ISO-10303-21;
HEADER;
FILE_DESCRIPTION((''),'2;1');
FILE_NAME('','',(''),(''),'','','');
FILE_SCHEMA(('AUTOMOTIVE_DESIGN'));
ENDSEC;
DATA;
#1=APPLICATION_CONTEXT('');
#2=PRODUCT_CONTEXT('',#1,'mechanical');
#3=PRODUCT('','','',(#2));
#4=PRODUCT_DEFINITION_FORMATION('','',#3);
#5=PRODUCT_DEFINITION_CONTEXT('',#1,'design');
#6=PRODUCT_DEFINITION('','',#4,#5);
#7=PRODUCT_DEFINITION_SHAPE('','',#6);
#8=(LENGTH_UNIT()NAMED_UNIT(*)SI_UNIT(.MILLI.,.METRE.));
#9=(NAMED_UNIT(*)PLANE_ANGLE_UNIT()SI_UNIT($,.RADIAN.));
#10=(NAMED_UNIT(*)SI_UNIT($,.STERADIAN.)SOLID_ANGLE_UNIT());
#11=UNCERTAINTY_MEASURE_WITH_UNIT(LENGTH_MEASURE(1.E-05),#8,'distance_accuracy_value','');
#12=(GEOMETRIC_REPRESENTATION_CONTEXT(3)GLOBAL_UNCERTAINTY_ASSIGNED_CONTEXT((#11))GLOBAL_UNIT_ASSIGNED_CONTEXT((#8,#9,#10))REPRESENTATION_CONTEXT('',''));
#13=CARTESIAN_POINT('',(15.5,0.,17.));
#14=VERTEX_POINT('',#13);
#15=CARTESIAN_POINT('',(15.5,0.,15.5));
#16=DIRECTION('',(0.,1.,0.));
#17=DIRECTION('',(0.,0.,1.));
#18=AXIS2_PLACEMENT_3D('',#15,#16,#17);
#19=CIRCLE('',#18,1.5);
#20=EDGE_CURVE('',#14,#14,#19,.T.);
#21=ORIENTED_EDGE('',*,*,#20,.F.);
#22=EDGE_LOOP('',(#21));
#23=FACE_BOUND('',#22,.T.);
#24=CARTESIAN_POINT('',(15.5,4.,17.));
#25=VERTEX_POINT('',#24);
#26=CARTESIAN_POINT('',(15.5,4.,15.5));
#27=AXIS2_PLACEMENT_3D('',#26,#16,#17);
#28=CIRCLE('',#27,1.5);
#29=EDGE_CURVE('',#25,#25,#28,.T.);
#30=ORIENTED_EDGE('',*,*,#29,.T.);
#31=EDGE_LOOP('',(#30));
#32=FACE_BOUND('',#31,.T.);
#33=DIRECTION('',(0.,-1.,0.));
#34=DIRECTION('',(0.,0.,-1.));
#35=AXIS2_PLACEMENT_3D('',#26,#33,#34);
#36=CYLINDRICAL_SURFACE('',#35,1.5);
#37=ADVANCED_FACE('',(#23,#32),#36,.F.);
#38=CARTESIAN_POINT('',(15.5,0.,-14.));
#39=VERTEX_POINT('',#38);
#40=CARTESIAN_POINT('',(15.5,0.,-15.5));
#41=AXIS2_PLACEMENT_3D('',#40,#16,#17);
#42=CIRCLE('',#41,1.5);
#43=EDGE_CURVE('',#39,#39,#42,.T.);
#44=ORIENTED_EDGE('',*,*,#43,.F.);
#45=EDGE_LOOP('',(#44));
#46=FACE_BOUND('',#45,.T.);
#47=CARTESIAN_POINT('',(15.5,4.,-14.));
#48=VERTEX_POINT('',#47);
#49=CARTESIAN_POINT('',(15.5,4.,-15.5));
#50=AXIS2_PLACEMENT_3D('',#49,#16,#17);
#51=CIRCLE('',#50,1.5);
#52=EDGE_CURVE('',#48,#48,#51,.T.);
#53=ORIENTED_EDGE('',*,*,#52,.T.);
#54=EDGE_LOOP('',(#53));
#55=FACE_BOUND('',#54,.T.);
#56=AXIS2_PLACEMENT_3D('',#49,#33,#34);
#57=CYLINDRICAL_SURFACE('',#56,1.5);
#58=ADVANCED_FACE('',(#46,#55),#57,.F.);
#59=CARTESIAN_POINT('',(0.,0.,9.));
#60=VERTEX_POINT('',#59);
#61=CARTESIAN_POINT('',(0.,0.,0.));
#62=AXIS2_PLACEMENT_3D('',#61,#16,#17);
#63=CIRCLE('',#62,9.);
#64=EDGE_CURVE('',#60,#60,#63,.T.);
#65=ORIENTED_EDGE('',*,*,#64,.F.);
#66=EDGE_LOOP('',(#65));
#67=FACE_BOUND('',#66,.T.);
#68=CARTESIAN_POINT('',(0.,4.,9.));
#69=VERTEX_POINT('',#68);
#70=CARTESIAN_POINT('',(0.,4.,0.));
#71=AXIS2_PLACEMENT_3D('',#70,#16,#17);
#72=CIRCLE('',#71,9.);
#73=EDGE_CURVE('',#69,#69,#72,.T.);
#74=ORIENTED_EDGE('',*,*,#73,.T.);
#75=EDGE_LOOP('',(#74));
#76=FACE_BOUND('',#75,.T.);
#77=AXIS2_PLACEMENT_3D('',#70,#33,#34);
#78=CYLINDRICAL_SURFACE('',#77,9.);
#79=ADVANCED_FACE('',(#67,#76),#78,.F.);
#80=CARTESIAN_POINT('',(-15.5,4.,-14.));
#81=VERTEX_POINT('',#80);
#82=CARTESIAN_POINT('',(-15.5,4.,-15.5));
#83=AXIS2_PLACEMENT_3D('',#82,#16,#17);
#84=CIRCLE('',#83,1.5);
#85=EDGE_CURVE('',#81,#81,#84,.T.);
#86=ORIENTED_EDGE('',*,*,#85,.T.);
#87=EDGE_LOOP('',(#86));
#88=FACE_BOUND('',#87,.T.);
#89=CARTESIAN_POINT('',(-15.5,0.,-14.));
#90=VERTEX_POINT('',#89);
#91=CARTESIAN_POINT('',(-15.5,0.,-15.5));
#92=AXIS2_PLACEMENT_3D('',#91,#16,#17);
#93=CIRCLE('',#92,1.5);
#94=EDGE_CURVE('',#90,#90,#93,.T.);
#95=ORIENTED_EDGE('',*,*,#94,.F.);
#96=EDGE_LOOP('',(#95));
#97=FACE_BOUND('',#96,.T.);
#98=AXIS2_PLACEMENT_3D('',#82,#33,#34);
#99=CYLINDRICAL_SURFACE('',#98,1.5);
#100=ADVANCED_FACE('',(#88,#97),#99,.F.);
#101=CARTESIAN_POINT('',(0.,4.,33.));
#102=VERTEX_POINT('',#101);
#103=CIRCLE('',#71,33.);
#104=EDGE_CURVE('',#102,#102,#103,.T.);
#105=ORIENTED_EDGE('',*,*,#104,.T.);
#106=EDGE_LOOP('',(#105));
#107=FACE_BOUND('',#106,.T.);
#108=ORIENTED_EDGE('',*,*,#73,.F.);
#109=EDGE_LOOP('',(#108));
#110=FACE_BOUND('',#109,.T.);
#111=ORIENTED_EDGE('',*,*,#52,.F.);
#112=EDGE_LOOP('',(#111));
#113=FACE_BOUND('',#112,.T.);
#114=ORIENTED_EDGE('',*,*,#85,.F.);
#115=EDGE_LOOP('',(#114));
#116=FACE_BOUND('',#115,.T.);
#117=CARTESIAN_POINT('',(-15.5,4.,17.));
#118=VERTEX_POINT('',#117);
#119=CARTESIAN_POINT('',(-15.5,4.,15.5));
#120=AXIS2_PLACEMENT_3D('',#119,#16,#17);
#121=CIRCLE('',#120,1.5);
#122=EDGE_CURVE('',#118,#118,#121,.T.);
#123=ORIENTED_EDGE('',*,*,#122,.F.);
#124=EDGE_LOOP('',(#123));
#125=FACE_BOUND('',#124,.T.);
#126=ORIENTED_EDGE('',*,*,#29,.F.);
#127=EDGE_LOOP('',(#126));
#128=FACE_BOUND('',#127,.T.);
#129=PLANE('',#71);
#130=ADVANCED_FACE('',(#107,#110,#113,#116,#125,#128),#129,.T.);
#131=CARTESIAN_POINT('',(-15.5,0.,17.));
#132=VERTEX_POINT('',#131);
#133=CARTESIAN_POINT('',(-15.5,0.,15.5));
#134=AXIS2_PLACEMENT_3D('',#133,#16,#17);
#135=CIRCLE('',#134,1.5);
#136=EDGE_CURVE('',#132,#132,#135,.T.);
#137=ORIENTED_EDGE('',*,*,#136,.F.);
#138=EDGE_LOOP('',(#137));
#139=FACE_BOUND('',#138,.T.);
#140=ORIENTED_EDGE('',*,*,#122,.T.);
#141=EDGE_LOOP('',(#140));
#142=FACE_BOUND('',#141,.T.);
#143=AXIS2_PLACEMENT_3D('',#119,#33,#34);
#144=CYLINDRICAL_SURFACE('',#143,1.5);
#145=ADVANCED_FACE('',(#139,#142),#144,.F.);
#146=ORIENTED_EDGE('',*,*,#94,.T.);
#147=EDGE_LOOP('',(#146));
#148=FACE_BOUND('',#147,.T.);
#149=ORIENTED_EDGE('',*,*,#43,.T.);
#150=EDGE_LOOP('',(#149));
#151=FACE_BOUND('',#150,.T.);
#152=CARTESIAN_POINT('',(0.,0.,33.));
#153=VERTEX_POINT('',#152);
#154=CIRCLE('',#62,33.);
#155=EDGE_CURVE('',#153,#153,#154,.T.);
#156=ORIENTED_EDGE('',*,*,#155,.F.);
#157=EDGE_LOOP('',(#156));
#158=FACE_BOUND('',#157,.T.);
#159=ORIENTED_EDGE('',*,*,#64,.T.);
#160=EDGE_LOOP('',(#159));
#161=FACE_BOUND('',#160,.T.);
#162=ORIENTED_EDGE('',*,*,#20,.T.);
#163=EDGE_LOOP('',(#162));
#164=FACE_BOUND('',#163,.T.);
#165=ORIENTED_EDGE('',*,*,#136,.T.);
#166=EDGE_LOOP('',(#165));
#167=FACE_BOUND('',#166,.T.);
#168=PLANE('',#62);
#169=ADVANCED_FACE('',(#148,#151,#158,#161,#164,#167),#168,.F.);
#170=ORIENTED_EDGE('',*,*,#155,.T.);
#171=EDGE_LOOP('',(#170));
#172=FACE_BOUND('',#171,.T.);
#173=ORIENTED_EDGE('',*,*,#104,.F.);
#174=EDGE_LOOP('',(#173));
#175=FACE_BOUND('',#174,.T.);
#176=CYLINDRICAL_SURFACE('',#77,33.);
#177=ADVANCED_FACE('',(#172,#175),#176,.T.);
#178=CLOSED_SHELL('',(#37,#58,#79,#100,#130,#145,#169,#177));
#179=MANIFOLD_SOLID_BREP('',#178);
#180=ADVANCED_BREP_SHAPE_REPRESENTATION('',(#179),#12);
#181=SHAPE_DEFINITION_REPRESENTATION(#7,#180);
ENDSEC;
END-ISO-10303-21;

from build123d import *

# Parameters (mm, degrees)
SKETCH1_R           = 33
SKETCH1_R_2         = 1.5
SKETCH1_R_3         = 9
BOSS_EXTRUDE1_DEPTH = 4


with BuildPart() as part:
    # Sketch1 → Boss-Extrude1 (new body)
    with BuildSketch(Plane(origin=(0, 0, 0), x_dir=(1, 0, 0), z_dir=(0, 1, 0))):
        with Locations(Location((0, 0, 0), (0, 0, 270))):
            Circle(SKETCH1_R)
        with Locations(Location((-15.5, 15.5, 0), (0, 0, 270))):
            Circle(SKETCH1_R_2, mode=Mode.SUBTRACT)
        with Locations(Location((15.5, 15.5, 0), (0, 0, 270))):
            Circle(SKETCH1_R_2, mode=Mode.SUBTRACT)
        with Locations(Location((-15.5, -15.5, 0), (0, 0, 270))):
            Circle(SKETCH1_R_2, mode=Mode.SUBTRACT)
        with Locations(Location((15.5, -15.5, 0), (0, 0, 270))):
            Circle(SKETCH1_R_2, mode=Mode.SUBTRACT)
        with Locations(Location((0, 0, 0), (0, 0, 270))):
            Circle(SKETCH1_R_3, mode=Mode.SUBTRACT)
    extrude(amount=BOSS_EXTRUDE1_DEPTH)


solid = part.part
